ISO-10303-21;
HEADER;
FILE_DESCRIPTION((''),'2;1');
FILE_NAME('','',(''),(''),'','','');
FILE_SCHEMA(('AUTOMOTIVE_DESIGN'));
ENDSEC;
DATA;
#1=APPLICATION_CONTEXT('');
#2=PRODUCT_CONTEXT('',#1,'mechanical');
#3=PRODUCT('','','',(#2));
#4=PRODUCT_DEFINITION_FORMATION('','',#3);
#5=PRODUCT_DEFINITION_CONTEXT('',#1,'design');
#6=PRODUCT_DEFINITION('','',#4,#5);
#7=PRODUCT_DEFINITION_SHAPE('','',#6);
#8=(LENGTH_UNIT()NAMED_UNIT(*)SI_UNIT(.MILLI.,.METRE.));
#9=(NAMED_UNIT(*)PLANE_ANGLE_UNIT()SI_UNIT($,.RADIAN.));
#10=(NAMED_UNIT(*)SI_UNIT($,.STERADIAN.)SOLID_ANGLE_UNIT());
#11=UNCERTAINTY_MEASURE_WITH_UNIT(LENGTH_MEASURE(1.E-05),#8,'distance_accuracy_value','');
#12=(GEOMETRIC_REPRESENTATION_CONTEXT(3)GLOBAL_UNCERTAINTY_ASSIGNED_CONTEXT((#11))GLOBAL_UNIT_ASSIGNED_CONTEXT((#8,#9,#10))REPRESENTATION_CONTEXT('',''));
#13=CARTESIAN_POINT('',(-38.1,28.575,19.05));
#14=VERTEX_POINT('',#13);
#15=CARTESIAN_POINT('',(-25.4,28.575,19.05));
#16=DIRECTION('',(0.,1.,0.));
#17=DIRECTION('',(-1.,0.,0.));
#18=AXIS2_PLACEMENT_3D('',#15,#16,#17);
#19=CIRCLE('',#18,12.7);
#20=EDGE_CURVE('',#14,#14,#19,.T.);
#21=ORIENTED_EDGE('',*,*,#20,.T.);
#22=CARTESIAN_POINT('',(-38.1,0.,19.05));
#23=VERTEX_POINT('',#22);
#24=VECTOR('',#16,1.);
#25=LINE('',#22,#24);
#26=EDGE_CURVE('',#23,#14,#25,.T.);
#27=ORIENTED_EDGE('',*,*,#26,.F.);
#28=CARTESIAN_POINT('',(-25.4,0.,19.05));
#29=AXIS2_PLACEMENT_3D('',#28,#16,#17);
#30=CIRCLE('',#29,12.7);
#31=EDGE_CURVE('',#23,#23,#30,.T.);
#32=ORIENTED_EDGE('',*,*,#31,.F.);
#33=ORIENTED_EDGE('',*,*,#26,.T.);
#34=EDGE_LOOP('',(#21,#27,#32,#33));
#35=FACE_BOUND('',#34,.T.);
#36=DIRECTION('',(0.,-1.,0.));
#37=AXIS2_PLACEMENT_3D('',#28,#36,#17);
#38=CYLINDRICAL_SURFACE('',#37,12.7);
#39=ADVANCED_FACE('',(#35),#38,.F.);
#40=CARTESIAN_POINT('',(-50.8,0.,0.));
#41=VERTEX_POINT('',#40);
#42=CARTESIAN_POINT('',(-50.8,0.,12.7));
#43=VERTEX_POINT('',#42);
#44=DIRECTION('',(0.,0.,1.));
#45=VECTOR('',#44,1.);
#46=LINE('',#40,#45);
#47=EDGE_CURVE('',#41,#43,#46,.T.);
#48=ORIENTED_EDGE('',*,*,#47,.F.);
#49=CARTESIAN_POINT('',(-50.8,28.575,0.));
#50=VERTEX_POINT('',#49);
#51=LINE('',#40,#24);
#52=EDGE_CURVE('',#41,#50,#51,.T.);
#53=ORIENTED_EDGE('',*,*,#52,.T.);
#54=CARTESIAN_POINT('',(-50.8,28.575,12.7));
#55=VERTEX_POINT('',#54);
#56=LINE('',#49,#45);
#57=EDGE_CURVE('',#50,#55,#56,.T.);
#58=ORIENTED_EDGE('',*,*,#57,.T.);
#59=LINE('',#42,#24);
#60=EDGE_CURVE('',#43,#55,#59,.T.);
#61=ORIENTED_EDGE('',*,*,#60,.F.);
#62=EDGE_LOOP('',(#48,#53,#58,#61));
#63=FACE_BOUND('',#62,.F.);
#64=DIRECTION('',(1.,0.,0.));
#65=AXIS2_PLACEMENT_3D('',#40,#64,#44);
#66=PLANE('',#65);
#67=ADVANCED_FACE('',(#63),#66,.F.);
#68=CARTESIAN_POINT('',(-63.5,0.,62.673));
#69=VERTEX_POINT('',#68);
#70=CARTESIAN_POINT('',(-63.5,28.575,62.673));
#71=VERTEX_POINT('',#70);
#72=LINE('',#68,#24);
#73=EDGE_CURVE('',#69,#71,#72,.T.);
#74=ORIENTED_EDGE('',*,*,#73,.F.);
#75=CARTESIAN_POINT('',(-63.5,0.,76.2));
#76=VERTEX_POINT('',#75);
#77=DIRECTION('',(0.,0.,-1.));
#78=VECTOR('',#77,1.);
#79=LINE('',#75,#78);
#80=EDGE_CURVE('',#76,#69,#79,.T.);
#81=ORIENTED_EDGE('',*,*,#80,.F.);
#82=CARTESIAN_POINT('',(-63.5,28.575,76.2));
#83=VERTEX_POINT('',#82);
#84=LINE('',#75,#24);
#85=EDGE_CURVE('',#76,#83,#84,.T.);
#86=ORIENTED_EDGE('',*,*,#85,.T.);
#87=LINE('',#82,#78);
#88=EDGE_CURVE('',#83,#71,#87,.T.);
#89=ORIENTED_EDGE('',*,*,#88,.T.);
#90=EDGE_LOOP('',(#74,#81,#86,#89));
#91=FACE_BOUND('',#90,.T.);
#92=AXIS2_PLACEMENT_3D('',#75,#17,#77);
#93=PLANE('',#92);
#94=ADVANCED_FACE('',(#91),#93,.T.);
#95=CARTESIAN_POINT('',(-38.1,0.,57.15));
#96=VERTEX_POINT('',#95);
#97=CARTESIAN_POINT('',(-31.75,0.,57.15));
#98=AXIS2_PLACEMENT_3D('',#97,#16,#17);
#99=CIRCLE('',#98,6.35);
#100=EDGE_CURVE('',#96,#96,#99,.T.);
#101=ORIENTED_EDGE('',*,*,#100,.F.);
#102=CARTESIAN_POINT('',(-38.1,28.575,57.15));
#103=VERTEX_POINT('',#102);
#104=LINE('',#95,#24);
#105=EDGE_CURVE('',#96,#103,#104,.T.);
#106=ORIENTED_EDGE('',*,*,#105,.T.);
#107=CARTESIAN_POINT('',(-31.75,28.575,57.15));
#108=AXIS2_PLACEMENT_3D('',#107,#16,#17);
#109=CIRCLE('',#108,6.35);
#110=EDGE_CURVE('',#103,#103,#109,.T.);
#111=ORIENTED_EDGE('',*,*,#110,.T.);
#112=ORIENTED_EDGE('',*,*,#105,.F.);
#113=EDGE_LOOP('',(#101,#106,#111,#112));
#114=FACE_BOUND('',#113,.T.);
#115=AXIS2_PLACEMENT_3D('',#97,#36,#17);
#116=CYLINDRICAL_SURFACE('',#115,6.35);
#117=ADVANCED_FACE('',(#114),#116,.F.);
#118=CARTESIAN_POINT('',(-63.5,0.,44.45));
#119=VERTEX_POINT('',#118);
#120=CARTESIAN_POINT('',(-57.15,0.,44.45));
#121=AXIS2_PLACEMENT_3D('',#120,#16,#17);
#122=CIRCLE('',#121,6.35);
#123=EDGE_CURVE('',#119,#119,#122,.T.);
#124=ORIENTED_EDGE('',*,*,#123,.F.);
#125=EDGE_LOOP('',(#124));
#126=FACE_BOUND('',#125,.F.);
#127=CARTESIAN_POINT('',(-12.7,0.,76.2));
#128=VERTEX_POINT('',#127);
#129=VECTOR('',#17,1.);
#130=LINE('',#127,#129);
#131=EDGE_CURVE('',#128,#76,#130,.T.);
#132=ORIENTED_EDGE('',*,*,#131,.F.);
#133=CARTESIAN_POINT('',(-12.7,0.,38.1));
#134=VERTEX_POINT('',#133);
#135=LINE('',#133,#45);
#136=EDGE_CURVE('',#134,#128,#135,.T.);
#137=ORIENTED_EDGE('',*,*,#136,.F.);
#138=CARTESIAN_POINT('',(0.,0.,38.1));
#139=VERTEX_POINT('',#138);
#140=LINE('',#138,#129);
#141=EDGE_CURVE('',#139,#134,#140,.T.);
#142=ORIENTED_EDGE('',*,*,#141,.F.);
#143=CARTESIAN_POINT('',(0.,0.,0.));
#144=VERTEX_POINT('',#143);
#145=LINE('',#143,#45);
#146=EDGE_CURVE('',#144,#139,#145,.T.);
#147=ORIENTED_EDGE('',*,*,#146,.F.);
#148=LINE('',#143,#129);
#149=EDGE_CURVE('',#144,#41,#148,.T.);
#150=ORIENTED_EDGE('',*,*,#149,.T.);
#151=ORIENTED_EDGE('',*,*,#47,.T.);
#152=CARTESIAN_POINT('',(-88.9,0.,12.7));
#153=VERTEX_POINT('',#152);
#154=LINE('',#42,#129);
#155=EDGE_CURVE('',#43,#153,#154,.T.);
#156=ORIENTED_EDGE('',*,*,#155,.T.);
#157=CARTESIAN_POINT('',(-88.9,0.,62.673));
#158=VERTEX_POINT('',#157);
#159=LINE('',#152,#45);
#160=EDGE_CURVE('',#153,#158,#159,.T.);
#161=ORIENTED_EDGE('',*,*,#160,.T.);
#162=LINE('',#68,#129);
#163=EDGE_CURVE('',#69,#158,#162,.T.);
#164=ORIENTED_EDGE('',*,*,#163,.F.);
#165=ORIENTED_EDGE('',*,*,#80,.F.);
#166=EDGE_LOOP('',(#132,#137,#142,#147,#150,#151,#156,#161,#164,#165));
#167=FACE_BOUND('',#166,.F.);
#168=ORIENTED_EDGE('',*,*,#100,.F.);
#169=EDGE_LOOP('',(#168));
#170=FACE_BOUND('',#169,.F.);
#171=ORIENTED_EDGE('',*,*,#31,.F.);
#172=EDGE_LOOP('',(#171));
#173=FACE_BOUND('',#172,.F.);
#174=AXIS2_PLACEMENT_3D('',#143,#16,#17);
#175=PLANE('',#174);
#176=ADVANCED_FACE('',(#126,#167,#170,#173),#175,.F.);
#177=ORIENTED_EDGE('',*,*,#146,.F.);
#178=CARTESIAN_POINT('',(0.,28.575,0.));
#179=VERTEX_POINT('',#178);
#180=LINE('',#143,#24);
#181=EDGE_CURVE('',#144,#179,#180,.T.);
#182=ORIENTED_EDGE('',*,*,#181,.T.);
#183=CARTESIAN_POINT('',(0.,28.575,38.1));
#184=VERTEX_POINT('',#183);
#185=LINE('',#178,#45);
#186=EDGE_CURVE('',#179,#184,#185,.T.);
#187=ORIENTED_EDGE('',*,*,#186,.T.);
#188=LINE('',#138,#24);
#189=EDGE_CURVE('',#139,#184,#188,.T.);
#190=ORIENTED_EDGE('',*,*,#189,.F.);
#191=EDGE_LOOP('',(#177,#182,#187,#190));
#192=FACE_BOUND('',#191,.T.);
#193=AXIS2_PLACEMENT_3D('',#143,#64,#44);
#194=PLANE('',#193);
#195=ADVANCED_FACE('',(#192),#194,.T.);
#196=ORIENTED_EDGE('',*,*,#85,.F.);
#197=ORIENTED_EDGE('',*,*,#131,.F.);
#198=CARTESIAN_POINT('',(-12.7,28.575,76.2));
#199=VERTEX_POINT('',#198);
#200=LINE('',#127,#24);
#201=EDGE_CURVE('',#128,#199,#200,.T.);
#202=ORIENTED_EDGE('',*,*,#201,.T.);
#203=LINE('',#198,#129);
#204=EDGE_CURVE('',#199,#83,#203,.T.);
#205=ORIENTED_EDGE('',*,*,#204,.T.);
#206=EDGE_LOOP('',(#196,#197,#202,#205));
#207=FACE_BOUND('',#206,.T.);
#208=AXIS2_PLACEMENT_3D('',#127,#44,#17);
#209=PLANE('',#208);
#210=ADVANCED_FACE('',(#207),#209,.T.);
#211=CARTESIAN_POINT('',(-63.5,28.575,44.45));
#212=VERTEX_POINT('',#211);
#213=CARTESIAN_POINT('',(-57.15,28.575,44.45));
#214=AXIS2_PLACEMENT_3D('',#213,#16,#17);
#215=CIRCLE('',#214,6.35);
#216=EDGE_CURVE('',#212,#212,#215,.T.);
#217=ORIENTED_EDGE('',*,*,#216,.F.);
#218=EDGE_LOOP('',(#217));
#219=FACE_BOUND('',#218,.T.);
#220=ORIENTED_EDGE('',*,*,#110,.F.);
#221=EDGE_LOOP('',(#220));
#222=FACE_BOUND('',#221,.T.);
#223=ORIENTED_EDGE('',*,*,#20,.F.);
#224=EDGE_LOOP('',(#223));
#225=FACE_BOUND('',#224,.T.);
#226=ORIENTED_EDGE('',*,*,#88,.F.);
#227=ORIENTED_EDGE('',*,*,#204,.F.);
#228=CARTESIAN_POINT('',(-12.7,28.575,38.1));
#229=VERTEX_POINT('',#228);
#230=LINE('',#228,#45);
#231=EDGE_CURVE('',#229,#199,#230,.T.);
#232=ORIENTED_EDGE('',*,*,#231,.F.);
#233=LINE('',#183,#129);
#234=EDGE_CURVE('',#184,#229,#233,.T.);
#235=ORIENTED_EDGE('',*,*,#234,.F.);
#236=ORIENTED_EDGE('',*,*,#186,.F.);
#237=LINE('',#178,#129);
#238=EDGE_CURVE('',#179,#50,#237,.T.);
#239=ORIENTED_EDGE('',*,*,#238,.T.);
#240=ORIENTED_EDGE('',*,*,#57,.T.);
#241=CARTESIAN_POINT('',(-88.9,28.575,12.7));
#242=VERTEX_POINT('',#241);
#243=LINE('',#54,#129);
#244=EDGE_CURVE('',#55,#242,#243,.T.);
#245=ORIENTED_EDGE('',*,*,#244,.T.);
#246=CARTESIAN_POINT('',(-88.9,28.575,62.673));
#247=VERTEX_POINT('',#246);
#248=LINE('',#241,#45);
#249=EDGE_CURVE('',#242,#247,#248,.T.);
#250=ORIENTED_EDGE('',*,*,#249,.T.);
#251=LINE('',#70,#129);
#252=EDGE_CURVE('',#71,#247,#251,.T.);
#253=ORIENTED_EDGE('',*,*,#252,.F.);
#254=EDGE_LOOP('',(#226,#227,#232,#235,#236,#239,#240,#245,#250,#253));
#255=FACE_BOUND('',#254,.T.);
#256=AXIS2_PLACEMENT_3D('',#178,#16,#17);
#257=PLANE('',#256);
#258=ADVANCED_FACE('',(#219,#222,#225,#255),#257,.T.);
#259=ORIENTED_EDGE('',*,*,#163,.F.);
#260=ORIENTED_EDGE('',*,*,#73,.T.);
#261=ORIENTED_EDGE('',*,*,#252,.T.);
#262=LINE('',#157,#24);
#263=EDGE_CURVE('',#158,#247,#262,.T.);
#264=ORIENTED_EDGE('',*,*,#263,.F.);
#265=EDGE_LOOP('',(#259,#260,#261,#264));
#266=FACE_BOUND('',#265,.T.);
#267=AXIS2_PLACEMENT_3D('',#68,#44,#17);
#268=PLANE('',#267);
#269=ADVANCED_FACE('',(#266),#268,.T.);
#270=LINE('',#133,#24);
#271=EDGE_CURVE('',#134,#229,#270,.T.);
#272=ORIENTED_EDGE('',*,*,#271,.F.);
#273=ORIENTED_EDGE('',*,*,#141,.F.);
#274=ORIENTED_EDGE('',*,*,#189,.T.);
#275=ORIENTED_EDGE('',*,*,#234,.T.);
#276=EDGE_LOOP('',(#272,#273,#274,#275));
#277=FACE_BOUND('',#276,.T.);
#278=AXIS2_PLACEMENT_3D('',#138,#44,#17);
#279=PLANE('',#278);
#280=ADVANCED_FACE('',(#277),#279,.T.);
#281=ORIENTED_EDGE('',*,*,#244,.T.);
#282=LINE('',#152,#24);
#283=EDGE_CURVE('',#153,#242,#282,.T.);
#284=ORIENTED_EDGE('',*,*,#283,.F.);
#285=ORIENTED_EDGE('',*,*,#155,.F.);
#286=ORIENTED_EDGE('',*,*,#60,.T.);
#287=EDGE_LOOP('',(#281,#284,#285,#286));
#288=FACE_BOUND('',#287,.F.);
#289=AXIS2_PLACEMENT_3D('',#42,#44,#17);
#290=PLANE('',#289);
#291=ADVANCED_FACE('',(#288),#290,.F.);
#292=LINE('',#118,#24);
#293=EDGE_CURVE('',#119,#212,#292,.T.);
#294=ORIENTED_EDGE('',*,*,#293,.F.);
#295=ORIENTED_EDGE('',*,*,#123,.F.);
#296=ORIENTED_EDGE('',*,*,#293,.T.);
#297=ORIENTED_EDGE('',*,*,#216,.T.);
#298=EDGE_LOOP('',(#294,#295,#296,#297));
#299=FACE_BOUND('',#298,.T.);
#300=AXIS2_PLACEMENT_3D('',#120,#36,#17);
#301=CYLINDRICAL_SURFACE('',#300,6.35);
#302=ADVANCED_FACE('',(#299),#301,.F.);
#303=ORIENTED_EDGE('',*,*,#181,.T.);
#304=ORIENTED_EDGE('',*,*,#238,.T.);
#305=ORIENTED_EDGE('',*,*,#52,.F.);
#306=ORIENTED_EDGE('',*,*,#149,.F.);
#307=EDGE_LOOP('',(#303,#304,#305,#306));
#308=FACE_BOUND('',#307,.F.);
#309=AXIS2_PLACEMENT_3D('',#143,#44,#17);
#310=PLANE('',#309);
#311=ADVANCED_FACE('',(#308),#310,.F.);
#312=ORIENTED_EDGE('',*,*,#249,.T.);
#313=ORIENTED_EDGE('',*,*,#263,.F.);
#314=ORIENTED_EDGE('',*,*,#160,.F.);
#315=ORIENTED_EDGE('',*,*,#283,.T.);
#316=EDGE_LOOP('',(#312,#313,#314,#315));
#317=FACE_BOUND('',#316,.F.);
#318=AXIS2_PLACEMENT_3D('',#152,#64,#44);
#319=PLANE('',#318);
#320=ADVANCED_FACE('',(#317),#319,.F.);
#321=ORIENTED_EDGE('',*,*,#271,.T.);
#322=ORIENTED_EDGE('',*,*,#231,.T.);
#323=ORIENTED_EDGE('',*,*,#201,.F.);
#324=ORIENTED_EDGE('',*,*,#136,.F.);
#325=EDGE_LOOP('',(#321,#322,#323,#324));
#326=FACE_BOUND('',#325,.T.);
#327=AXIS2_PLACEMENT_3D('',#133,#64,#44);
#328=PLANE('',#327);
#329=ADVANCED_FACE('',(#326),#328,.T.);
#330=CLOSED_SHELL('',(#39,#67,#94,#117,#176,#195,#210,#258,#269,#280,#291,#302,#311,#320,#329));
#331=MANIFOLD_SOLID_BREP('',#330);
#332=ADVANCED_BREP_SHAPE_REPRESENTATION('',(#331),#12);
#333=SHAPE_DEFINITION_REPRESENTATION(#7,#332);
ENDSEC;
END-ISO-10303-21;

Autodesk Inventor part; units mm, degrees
ref_plane "YZ Plane" through (0, 0, 0) normal (1, 0, 0) x (0, 1, 0)
ref_plane "XZ Plane" through (0, 0, 0) normal (0, 1, 0) x (-1, 0, 0)
ref_plane "XY Plane" through (0, 0, 0) normal (0, 0, 1) x (1, 0, 0)
sketch "Sketch1" plane through (0, 0, 0) normal (0, 1, 0) x (-1, 0, 0)
  line L0 (0, 0) -> (0, 38.1)
  line L1 (0, 38.1) -> (12.7, 38.1)
  line L2 (12.7, 38.1) -> (12.7, 76.2)
  line L3 (0, 0) -> (50.8, 0)
  line L4 (50.8, 0) -> (50.8, 12.7)
  line L5 (50.8, 12.7) -> (88.9, 12.7)
  line L6 (88.9, 12.7) -> (88.9, 62.673)
  circle A0 centre (25.4, 19.05) radius 12.7
  circle A1 centre (31.75, 57.15) radius 6.35
  line L7 (12.7, 76.2) -> (63.5, 76.2)
  line L8 (63.5, 76.2) -> (63.5, 62.673)
  line L9 (63.5, 62.673) -> (88.9, 62.673)
  circle A2 centre (57.15, 44.45) radius 6.35
  dimension "d0" = 38.1
  dimension "d1" = 50.8
  dimension "d2" = 25.4
  dimension "d3" = 12.7
  dimension "d4" = 12.7
extrude "Extrusion1" add sketch "Sketch1" along normal blind 28.575
properties part number "P1-4"
